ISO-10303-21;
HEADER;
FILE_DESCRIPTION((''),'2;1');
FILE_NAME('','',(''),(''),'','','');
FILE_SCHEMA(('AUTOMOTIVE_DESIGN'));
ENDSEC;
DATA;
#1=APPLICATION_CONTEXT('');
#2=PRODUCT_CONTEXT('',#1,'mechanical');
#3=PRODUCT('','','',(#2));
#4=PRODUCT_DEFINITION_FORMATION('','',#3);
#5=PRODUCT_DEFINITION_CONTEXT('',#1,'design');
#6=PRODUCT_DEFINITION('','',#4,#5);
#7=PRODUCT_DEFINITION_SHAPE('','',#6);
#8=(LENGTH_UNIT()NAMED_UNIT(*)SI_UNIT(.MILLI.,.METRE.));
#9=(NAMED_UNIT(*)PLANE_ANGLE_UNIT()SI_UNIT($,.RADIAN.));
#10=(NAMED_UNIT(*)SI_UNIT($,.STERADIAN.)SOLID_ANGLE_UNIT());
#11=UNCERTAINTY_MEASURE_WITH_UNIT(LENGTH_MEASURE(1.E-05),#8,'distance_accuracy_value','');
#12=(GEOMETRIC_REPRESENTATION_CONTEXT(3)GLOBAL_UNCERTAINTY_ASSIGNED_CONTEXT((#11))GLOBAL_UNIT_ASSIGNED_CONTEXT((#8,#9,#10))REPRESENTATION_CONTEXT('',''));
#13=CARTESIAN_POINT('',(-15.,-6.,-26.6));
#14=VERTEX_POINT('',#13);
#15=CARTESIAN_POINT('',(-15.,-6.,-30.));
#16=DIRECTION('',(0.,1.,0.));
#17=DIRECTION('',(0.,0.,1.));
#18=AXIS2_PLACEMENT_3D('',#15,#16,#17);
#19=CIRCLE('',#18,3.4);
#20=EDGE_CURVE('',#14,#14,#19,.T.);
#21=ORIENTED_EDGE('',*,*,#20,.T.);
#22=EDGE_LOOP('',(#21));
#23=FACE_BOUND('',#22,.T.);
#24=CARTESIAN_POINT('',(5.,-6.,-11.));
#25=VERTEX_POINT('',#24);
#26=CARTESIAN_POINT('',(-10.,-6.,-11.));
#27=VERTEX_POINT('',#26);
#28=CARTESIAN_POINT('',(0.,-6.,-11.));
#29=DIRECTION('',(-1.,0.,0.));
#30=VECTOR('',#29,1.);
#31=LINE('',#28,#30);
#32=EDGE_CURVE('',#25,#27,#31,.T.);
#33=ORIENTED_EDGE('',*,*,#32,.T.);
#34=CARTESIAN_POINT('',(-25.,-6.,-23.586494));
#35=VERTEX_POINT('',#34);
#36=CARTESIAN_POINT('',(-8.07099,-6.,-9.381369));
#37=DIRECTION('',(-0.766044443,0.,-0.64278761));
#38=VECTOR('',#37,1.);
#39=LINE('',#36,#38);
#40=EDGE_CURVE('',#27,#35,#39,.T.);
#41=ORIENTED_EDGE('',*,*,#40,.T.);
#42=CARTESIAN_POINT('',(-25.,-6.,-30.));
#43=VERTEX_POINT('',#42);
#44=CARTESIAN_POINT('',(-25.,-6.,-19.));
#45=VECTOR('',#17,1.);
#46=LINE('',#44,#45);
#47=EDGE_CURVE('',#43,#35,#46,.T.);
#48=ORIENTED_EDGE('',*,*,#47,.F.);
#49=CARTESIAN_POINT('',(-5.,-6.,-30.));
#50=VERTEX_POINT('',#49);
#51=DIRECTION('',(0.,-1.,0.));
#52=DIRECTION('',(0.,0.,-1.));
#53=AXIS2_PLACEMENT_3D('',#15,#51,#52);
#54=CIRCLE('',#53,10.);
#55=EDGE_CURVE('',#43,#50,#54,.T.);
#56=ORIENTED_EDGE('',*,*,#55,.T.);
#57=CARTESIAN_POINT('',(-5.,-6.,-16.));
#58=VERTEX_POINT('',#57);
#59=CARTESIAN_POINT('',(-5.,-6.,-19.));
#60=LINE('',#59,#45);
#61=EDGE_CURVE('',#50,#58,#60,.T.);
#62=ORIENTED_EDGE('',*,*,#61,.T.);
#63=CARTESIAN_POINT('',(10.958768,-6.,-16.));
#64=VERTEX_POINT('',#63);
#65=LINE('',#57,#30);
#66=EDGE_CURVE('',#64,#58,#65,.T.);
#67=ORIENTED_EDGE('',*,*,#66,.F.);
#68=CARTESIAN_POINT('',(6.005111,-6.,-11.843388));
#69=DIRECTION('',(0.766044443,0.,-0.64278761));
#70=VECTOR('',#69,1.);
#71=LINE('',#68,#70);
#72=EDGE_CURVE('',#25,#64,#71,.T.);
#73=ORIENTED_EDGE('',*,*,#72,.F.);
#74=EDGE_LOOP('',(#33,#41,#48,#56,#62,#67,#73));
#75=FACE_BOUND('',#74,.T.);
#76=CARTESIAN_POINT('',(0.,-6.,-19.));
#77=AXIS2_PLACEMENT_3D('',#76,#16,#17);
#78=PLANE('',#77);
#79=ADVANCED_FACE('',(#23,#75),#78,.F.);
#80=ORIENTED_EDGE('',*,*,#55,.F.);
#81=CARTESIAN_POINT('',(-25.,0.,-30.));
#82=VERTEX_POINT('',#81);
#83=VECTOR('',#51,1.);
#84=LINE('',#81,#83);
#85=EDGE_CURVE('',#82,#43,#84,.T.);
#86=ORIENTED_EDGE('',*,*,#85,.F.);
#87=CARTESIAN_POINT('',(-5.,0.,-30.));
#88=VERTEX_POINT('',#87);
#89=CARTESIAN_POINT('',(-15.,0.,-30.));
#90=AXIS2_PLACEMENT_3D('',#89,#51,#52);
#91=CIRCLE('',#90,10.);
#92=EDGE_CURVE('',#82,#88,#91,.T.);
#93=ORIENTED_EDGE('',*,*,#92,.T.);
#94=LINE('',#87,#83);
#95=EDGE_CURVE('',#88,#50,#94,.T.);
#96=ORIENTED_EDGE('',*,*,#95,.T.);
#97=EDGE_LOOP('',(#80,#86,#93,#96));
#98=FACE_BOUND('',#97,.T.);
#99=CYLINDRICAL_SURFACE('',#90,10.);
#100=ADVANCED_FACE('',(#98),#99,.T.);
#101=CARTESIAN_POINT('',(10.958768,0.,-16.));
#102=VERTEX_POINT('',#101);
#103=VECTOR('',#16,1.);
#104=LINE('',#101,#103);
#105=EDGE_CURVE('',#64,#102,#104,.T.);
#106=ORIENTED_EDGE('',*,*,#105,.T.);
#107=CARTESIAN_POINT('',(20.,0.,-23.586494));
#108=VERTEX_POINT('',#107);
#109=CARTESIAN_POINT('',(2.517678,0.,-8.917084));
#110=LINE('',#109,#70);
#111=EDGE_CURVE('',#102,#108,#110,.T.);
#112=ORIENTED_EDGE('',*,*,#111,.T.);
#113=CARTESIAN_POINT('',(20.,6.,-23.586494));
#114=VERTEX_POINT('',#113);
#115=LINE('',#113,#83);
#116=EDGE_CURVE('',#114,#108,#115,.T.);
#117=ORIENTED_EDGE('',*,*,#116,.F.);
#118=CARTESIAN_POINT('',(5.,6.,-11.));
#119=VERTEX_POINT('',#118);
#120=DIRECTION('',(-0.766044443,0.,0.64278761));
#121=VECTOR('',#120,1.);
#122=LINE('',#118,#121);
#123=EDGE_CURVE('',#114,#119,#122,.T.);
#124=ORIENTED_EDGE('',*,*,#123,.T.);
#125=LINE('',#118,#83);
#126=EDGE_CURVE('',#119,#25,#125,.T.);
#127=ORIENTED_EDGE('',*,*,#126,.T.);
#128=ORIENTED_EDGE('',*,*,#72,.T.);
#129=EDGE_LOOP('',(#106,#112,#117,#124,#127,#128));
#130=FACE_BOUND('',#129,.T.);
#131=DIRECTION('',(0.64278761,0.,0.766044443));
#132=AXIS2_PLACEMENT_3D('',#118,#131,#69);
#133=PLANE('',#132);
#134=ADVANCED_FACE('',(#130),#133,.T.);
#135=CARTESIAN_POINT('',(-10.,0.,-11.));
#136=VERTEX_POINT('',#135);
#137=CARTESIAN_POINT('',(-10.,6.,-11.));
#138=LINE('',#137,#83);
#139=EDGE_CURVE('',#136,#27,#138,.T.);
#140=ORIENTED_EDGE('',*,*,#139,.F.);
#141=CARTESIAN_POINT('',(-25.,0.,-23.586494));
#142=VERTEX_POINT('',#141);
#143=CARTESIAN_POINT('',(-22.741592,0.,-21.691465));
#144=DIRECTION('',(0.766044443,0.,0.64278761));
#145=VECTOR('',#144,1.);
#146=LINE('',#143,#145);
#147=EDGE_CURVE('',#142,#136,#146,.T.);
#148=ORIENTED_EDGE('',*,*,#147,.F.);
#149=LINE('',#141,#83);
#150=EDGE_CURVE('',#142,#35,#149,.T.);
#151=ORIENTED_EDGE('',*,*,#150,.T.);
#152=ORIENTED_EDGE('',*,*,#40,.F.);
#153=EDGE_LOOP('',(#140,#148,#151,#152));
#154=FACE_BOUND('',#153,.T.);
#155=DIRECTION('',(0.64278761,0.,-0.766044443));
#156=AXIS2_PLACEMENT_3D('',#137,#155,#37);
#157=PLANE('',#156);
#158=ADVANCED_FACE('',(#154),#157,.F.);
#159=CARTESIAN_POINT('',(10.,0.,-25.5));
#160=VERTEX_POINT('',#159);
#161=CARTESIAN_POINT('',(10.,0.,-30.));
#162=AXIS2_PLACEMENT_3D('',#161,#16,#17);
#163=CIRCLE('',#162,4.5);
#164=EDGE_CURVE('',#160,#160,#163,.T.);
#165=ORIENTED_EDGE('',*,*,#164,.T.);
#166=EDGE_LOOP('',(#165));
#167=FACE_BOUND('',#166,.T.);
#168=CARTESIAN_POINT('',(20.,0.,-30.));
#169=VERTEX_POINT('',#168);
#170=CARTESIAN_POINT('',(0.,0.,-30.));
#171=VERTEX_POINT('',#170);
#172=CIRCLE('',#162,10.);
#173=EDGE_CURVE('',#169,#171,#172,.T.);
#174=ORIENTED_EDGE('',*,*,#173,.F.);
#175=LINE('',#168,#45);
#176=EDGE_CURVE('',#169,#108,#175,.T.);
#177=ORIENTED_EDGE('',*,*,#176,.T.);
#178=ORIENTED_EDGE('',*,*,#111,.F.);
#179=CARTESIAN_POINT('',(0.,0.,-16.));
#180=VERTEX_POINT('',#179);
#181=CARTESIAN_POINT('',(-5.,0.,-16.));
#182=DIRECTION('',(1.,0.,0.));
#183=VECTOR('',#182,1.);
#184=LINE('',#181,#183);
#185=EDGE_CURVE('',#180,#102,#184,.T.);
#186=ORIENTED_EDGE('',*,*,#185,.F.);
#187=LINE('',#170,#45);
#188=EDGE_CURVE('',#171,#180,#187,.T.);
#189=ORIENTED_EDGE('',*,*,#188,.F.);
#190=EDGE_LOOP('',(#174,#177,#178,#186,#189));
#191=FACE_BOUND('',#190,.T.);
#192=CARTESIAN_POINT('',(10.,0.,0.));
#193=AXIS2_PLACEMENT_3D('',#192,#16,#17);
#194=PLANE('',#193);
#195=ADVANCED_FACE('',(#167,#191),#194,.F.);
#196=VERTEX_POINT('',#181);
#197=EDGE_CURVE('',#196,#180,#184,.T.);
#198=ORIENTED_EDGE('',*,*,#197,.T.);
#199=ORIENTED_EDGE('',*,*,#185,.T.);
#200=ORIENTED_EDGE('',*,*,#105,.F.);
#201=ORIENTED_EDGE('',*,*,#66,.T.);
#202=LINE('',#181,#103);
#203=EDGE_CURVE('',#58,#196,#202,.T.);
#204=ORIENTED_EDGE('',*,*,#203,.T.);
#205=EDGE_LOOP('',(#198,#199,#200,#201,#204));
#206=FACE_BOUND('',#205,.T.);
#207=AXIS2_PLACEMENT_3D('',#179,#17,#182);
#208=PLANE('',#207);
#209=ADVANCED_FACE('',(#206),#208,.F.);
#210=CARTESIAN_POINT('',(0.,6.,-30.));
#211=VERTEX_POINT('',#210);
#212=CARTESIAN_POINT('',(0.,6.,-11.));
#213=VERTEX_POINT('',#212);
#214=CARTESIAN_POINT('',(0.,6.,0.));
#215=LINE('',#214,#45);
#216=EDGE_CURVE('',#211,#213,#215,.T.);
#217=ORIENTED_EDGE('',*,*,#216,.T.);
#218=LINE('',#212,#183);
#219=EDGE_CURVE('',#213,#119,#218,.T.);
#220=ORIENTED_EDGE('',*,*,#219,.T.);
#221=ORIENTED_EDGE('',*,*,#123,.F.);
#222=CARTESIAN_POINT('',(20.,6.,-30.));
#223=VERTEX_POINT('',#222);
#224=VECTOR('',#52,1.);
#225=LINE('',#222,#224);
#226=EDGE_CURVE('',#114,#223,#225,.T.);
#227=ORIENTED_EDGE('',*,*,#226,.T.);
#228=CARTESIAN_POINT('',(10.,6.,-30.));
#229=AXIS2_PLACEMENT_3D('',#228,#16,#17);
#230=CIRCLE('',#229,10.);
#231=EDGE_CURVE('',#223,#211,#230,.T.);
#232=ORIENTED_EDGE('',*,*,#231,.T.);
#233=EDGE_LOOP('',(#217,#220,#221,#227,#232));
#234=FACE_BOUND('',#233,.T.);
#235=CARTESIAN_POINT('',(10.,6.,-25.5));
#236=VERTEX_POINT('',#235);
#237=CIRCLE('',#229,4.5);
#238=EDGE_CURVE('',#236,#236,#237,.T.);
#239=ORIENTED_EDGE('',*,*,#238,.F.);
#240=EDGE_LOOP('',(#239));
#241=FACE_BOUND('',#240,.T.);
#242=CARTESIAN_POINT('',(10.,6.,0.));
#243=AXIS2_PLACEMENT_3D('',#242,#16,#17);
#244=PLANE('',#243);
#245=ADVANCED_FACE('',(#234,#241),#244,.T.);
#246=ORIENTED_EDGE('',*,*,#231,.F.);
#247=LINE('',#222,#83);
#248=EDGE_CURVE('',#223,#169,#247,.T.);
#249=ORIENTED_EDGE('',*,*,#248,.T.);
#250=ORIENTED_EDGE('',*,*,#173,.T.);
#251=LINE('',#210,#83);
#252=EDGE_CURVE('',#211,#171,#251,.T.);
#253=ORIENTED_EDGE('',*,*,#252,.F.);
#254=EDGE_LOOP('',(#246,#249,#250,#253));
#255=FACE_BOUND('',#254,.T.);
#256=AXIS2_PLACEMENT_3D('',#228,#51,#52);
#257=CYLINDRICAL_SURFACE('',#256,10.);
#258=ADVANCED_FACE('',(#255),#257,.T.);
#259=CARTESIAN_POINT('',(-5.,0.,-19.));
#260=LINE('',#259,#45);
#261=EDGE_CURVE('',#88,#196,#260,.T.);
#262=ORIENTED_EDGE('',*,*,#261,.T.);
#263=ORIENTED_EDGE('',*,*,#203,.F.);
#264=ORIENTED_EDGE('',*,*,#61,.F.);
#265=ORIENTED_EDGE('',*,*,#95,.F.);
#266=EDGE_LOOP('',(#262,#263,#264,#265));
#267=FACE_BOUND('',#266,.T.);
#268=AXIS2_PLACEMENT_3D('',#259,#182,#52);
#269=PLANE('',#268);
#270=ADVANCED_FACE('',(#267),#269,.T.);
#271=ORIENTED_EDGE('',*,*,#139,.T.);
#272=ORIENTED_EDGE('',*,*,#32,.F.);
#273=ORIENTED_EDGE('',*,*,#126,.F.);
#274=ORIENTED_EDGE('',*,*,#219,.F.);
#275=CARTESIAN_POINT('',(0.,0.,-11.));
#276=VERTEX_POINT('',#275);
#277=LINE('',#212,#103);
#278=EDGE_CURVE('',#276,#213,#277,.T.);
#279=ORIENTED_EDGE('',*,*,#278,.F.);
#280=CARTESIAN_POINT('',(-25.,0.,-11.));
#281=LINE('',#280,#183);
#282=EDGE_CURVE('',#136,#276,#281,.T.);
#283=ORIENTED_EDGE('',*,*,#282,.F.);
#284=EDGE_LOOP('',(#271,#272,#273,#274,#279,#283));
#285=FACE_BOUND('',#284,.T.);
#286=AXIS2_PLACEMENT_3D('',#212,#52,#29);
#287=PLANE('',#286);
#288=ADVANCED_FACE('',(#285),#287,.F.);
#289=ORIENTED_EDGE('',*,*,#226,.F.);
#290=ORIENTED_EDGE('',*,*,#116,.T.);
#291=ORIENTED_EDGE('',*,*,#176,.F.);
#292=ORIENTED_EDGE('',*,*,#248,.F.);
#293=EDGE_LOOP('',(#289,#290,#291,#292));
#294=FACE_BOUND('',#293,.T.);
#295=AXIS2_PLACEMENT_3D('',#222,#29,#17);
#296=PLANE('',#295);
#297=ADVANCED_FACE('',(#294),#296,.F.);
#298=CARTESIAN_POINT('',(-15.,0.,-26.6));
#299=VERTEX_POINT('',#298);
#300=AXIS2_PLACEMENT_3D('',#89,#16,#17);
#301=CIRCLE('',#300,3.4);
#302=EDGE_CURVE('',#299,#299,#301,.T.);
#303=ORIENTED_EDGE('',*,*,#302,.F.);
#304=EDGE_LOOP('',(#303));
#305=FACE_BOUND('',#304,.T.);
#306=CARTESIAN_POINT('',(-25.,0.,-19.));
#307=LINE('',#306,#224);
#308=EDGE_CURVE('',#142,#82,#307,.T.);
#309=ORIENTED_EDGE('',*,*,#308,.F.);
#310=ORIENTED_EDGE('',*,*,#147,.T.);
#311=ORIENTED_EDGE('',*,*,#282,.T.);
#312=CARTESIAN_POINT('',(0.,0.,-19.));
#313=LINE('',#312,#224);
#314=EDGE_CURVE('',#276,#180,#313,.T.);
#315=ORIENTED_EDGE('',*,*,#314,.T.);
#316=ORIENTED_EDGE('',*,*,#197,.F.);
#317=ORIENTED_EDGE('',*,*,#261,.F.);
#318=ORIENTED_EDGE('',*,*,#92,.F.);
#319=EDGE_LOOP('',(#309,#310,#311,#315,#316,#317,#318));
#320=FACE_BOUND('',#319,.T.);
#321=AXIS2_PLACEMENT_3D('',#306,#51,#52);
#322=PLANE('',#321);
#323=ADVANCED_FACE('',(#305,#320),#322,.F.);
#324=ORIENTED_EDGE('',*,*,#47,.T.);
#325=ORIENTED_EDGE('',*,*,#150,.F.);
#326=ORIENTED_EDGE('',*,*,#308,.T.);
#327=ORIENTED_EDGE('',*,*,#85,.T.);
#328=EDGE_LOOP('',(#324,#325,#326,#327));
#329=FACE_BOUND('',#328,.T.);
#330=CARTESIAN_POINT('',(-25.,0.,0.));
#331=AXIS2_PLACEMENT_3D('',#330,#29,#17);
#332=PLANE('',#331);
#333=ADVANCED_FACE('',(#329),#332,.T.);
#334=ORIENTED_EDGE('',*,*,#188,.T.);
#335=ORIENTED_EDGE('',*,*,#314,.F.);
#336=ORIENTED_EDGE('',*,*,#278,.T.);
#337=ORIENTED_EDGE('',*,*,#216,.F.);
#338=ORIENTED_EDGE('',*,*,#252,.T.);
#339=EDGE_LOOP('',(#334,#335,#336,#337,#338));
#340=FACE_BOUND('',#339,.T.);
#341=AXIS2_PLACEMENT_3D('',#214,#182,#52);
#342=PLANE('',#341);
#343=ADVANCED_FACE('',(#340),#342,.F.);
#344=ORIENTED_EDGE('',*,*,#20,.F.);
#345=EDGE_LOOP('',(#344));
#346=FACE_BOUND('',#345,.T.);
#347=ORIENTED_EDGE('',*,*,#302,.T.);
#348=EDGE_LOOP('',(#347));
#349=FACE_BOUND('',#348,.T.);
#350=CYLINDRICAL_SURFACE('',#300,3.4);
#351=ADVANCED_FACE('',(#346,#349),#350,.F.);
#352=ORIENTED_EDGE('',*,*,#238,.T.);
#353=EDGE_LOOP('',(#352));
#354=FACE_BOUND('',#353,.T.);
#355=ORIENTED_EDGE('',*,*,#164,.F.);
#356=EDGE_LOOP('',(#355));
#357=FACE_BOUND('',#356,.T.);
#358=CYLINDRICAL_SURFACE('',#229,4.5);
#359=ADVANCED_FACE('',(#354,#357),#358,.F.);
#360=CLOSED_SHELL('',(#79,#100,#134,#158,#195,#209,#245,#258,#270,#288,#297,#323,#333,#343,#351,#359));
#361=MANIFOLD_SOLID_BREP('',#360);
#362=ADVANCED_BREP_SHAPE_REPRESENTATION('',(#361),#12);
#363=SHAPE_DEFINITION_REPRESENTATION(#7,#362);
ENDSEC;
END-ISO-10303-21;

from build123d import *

# Parameters (mm, degrees)
BOSS_EXTRU_1_DEPTH      = 6
BOSS_EXTRU_2_DEPTH      = 12
ESQUISSE14_W            = 21
ESQUISSE14_H            = 6
ENL_V_MAT_EXTRU_2_DEPTH = 21
D_GAGEMENT_M81_D        = 9
TROU_TARAUD_M82_D       = 6.8
ESQUISSE19_W            = 31.228123836
ESQUISSE19_H            = 16.033363116
ENL_V_MAT_EXTRU_3_DEPTH = 22
ESQUISSE20_W            = 8
ESQUISSE20_H            = 6
BOSS_EXTRU_3_DEPTH      = 25
BOSS_EXTRU_4_DEPTH      = 6
TROU_TARAUD_M83_D       = 6.8
ESQUISSE25_W            = 25
ESQUISSE25_H            = 6
ENL_V_MAT_EXTRU_4_DEPTH = 3
ENL_V_START             = -13
ENL_V_MAT_EXTRU_5_DEPTH = 14


with BuildPart() as part:
    # Esquisse1 → Boss.-Extru.1 (new body)
    with BuildSketch(Plane(origin=(0, 0, 0), x_dir=(1, 0, 0), z_dir=(0, 1, 0))):
        with BuildLine():
            Line((0, 0), (0, 30))
            ThreePointArc((0, 30), (10, 40), (20, 30))
            Line((20, 30), (20, 0))
            ThreePointArc((20, 0), (10, -10), (0, 0))
        make_face()
    extrude(amount=BOSS_EXTRU_1_DEPTH)

    # Esquisse12 → Boss.-Extru.2 (add)
    with BuildSketch(Plane.XZ):
        with BuildLine():
            Line((0, -30), (20, -30))
            Line((20, -30), (20, 0))
            ThreePointArc((20, 0), (10, 10), (0, 0))
            Line((0, 0), (0, -30))
        make_face()
    extrude(amount=BOSS_EXTRU_2_DEPTH)

    # Esquisse14 → Enlèv. mat.-Extru.2 (cut, through all)
    with BuildSketch(Plane(origin=(20, 0, 0), x_dir=(0, 0, -1), z_dir=(1, 0, 0))):
        with Locations((0.5, 3)):
            Rectangle(ESQUISSE14_W, ESQUISSE14_H)
        Polygon((30, 0), (19, 0), (19, -6), (-10, -6), (-10, -12), (30, -12), align=None)
    extrude(amount=-ENL_V_MAT_EXTRU_2_DEPTH, mode=Mode.SUBTRACT)

    # Dégagement M81 (through all)
    with Locations(Plane(origin=(0, 6, 0), x_dir=(1, 0, 0), z_dir=(0, 1, 0))):
        with Locations((10, 30)):
            Hole(D_GAGEMENT_M81_D / 2)

    # Trou taraudé M82 (through all)
    with Locations(Plane(origin=(0, 0, 0), x_dir=(1, 0, 0), z_dir=(0, 1, 0))):
        with Locations((10, 0)):
            Hole(TROU_TARAUD_M82_D / 2)

    # Esquisse19 → Enlèv. mat.-Extru.3 (cut, through all)
    with BuildSketch(Plane.XY.offset(-11)):
        with Locations((8.695037224, -0.70266631)):
            Rectangle(ESQUISSE19_W, ESQUISSE19_H)
    extrude(amount=ENL_V_MAT_EXTRU_3_DEPTH, mode=Mode.SUBTRACT)

    # Esquisse20 → Boss.-Extru.3 (add)
    with BuildSketch(Plane.ZY):
        with Locations((-15, -3)):
            Rectangle(ESQUISSE20_W, ESQUISSE20_H)
    extrude(amount=BOSS_EXTRU_3_DEPTH)

    # Esquisse21 → Boss.-Extru.4 (add)
    with BuildSketch(Plane.XZ.offset(6)):
        with BuildLine():
            Line((-25, -19), (-25, -30))
            ThreePointArc((-25, -30), (-15, -40), (-5, -30))
            Line((-5, -30), (-5, -19))
            Line((-5, -19), (-25, -19))
        make_face()
    extrude(amount=-BOSS_EXTRU_4_DEPTH)

    # Trou taraudé M83 (through all)
    with Locations(Plane(origin=(0, 0, 0), x_dir=(1, 0, 0), z_dir=(0, 1, 0))):
        with Locations((-15, 30)):
            Hole(TROU_TARAUD_M83_D / 2)

    # Esquisse25 → Enlèv. mat.-Extru.4 (cut)
    with BuildSketch(Plane(origin=(0, 0, -19), x_dir=(-1, 0, 0), z_dir=(0, 0, -1))):
        with Locations((-7.5, -3)):
            Rectangle(ESQUISSE25_W, ESQUISSE25_H)
    extrude(amount=-ENL_V_MAT_EXTRU_4_DEPTH, mode=Mode.SUBTRACT)

    # Esquisse27 → Enlèv. mat.-Extru.5 (cut)
    with BuildSketch(Plane.XZ.offset(6).offset(ENL_V_START)):
        Polygon((-25, -11), (-10, -11), (-25, -23.586494468), align=None)
    enl_v_mat_extru_5 = extrude(amount=ENL_V_MAT_EXTRU_5_DEPTH, mode=Mode.SUBTRACT)

    # Symétrie1: Enlèv. mat.-Extru.5 across plane
    add(enl_v_mat_extru_5.mirror(Plane(origin=(-2.5, 0, 0), x_dir=(0, 0, 1), z_dir=(1, 0, 0))), mode=Mode.SUBTRACT)


solid = part.part
